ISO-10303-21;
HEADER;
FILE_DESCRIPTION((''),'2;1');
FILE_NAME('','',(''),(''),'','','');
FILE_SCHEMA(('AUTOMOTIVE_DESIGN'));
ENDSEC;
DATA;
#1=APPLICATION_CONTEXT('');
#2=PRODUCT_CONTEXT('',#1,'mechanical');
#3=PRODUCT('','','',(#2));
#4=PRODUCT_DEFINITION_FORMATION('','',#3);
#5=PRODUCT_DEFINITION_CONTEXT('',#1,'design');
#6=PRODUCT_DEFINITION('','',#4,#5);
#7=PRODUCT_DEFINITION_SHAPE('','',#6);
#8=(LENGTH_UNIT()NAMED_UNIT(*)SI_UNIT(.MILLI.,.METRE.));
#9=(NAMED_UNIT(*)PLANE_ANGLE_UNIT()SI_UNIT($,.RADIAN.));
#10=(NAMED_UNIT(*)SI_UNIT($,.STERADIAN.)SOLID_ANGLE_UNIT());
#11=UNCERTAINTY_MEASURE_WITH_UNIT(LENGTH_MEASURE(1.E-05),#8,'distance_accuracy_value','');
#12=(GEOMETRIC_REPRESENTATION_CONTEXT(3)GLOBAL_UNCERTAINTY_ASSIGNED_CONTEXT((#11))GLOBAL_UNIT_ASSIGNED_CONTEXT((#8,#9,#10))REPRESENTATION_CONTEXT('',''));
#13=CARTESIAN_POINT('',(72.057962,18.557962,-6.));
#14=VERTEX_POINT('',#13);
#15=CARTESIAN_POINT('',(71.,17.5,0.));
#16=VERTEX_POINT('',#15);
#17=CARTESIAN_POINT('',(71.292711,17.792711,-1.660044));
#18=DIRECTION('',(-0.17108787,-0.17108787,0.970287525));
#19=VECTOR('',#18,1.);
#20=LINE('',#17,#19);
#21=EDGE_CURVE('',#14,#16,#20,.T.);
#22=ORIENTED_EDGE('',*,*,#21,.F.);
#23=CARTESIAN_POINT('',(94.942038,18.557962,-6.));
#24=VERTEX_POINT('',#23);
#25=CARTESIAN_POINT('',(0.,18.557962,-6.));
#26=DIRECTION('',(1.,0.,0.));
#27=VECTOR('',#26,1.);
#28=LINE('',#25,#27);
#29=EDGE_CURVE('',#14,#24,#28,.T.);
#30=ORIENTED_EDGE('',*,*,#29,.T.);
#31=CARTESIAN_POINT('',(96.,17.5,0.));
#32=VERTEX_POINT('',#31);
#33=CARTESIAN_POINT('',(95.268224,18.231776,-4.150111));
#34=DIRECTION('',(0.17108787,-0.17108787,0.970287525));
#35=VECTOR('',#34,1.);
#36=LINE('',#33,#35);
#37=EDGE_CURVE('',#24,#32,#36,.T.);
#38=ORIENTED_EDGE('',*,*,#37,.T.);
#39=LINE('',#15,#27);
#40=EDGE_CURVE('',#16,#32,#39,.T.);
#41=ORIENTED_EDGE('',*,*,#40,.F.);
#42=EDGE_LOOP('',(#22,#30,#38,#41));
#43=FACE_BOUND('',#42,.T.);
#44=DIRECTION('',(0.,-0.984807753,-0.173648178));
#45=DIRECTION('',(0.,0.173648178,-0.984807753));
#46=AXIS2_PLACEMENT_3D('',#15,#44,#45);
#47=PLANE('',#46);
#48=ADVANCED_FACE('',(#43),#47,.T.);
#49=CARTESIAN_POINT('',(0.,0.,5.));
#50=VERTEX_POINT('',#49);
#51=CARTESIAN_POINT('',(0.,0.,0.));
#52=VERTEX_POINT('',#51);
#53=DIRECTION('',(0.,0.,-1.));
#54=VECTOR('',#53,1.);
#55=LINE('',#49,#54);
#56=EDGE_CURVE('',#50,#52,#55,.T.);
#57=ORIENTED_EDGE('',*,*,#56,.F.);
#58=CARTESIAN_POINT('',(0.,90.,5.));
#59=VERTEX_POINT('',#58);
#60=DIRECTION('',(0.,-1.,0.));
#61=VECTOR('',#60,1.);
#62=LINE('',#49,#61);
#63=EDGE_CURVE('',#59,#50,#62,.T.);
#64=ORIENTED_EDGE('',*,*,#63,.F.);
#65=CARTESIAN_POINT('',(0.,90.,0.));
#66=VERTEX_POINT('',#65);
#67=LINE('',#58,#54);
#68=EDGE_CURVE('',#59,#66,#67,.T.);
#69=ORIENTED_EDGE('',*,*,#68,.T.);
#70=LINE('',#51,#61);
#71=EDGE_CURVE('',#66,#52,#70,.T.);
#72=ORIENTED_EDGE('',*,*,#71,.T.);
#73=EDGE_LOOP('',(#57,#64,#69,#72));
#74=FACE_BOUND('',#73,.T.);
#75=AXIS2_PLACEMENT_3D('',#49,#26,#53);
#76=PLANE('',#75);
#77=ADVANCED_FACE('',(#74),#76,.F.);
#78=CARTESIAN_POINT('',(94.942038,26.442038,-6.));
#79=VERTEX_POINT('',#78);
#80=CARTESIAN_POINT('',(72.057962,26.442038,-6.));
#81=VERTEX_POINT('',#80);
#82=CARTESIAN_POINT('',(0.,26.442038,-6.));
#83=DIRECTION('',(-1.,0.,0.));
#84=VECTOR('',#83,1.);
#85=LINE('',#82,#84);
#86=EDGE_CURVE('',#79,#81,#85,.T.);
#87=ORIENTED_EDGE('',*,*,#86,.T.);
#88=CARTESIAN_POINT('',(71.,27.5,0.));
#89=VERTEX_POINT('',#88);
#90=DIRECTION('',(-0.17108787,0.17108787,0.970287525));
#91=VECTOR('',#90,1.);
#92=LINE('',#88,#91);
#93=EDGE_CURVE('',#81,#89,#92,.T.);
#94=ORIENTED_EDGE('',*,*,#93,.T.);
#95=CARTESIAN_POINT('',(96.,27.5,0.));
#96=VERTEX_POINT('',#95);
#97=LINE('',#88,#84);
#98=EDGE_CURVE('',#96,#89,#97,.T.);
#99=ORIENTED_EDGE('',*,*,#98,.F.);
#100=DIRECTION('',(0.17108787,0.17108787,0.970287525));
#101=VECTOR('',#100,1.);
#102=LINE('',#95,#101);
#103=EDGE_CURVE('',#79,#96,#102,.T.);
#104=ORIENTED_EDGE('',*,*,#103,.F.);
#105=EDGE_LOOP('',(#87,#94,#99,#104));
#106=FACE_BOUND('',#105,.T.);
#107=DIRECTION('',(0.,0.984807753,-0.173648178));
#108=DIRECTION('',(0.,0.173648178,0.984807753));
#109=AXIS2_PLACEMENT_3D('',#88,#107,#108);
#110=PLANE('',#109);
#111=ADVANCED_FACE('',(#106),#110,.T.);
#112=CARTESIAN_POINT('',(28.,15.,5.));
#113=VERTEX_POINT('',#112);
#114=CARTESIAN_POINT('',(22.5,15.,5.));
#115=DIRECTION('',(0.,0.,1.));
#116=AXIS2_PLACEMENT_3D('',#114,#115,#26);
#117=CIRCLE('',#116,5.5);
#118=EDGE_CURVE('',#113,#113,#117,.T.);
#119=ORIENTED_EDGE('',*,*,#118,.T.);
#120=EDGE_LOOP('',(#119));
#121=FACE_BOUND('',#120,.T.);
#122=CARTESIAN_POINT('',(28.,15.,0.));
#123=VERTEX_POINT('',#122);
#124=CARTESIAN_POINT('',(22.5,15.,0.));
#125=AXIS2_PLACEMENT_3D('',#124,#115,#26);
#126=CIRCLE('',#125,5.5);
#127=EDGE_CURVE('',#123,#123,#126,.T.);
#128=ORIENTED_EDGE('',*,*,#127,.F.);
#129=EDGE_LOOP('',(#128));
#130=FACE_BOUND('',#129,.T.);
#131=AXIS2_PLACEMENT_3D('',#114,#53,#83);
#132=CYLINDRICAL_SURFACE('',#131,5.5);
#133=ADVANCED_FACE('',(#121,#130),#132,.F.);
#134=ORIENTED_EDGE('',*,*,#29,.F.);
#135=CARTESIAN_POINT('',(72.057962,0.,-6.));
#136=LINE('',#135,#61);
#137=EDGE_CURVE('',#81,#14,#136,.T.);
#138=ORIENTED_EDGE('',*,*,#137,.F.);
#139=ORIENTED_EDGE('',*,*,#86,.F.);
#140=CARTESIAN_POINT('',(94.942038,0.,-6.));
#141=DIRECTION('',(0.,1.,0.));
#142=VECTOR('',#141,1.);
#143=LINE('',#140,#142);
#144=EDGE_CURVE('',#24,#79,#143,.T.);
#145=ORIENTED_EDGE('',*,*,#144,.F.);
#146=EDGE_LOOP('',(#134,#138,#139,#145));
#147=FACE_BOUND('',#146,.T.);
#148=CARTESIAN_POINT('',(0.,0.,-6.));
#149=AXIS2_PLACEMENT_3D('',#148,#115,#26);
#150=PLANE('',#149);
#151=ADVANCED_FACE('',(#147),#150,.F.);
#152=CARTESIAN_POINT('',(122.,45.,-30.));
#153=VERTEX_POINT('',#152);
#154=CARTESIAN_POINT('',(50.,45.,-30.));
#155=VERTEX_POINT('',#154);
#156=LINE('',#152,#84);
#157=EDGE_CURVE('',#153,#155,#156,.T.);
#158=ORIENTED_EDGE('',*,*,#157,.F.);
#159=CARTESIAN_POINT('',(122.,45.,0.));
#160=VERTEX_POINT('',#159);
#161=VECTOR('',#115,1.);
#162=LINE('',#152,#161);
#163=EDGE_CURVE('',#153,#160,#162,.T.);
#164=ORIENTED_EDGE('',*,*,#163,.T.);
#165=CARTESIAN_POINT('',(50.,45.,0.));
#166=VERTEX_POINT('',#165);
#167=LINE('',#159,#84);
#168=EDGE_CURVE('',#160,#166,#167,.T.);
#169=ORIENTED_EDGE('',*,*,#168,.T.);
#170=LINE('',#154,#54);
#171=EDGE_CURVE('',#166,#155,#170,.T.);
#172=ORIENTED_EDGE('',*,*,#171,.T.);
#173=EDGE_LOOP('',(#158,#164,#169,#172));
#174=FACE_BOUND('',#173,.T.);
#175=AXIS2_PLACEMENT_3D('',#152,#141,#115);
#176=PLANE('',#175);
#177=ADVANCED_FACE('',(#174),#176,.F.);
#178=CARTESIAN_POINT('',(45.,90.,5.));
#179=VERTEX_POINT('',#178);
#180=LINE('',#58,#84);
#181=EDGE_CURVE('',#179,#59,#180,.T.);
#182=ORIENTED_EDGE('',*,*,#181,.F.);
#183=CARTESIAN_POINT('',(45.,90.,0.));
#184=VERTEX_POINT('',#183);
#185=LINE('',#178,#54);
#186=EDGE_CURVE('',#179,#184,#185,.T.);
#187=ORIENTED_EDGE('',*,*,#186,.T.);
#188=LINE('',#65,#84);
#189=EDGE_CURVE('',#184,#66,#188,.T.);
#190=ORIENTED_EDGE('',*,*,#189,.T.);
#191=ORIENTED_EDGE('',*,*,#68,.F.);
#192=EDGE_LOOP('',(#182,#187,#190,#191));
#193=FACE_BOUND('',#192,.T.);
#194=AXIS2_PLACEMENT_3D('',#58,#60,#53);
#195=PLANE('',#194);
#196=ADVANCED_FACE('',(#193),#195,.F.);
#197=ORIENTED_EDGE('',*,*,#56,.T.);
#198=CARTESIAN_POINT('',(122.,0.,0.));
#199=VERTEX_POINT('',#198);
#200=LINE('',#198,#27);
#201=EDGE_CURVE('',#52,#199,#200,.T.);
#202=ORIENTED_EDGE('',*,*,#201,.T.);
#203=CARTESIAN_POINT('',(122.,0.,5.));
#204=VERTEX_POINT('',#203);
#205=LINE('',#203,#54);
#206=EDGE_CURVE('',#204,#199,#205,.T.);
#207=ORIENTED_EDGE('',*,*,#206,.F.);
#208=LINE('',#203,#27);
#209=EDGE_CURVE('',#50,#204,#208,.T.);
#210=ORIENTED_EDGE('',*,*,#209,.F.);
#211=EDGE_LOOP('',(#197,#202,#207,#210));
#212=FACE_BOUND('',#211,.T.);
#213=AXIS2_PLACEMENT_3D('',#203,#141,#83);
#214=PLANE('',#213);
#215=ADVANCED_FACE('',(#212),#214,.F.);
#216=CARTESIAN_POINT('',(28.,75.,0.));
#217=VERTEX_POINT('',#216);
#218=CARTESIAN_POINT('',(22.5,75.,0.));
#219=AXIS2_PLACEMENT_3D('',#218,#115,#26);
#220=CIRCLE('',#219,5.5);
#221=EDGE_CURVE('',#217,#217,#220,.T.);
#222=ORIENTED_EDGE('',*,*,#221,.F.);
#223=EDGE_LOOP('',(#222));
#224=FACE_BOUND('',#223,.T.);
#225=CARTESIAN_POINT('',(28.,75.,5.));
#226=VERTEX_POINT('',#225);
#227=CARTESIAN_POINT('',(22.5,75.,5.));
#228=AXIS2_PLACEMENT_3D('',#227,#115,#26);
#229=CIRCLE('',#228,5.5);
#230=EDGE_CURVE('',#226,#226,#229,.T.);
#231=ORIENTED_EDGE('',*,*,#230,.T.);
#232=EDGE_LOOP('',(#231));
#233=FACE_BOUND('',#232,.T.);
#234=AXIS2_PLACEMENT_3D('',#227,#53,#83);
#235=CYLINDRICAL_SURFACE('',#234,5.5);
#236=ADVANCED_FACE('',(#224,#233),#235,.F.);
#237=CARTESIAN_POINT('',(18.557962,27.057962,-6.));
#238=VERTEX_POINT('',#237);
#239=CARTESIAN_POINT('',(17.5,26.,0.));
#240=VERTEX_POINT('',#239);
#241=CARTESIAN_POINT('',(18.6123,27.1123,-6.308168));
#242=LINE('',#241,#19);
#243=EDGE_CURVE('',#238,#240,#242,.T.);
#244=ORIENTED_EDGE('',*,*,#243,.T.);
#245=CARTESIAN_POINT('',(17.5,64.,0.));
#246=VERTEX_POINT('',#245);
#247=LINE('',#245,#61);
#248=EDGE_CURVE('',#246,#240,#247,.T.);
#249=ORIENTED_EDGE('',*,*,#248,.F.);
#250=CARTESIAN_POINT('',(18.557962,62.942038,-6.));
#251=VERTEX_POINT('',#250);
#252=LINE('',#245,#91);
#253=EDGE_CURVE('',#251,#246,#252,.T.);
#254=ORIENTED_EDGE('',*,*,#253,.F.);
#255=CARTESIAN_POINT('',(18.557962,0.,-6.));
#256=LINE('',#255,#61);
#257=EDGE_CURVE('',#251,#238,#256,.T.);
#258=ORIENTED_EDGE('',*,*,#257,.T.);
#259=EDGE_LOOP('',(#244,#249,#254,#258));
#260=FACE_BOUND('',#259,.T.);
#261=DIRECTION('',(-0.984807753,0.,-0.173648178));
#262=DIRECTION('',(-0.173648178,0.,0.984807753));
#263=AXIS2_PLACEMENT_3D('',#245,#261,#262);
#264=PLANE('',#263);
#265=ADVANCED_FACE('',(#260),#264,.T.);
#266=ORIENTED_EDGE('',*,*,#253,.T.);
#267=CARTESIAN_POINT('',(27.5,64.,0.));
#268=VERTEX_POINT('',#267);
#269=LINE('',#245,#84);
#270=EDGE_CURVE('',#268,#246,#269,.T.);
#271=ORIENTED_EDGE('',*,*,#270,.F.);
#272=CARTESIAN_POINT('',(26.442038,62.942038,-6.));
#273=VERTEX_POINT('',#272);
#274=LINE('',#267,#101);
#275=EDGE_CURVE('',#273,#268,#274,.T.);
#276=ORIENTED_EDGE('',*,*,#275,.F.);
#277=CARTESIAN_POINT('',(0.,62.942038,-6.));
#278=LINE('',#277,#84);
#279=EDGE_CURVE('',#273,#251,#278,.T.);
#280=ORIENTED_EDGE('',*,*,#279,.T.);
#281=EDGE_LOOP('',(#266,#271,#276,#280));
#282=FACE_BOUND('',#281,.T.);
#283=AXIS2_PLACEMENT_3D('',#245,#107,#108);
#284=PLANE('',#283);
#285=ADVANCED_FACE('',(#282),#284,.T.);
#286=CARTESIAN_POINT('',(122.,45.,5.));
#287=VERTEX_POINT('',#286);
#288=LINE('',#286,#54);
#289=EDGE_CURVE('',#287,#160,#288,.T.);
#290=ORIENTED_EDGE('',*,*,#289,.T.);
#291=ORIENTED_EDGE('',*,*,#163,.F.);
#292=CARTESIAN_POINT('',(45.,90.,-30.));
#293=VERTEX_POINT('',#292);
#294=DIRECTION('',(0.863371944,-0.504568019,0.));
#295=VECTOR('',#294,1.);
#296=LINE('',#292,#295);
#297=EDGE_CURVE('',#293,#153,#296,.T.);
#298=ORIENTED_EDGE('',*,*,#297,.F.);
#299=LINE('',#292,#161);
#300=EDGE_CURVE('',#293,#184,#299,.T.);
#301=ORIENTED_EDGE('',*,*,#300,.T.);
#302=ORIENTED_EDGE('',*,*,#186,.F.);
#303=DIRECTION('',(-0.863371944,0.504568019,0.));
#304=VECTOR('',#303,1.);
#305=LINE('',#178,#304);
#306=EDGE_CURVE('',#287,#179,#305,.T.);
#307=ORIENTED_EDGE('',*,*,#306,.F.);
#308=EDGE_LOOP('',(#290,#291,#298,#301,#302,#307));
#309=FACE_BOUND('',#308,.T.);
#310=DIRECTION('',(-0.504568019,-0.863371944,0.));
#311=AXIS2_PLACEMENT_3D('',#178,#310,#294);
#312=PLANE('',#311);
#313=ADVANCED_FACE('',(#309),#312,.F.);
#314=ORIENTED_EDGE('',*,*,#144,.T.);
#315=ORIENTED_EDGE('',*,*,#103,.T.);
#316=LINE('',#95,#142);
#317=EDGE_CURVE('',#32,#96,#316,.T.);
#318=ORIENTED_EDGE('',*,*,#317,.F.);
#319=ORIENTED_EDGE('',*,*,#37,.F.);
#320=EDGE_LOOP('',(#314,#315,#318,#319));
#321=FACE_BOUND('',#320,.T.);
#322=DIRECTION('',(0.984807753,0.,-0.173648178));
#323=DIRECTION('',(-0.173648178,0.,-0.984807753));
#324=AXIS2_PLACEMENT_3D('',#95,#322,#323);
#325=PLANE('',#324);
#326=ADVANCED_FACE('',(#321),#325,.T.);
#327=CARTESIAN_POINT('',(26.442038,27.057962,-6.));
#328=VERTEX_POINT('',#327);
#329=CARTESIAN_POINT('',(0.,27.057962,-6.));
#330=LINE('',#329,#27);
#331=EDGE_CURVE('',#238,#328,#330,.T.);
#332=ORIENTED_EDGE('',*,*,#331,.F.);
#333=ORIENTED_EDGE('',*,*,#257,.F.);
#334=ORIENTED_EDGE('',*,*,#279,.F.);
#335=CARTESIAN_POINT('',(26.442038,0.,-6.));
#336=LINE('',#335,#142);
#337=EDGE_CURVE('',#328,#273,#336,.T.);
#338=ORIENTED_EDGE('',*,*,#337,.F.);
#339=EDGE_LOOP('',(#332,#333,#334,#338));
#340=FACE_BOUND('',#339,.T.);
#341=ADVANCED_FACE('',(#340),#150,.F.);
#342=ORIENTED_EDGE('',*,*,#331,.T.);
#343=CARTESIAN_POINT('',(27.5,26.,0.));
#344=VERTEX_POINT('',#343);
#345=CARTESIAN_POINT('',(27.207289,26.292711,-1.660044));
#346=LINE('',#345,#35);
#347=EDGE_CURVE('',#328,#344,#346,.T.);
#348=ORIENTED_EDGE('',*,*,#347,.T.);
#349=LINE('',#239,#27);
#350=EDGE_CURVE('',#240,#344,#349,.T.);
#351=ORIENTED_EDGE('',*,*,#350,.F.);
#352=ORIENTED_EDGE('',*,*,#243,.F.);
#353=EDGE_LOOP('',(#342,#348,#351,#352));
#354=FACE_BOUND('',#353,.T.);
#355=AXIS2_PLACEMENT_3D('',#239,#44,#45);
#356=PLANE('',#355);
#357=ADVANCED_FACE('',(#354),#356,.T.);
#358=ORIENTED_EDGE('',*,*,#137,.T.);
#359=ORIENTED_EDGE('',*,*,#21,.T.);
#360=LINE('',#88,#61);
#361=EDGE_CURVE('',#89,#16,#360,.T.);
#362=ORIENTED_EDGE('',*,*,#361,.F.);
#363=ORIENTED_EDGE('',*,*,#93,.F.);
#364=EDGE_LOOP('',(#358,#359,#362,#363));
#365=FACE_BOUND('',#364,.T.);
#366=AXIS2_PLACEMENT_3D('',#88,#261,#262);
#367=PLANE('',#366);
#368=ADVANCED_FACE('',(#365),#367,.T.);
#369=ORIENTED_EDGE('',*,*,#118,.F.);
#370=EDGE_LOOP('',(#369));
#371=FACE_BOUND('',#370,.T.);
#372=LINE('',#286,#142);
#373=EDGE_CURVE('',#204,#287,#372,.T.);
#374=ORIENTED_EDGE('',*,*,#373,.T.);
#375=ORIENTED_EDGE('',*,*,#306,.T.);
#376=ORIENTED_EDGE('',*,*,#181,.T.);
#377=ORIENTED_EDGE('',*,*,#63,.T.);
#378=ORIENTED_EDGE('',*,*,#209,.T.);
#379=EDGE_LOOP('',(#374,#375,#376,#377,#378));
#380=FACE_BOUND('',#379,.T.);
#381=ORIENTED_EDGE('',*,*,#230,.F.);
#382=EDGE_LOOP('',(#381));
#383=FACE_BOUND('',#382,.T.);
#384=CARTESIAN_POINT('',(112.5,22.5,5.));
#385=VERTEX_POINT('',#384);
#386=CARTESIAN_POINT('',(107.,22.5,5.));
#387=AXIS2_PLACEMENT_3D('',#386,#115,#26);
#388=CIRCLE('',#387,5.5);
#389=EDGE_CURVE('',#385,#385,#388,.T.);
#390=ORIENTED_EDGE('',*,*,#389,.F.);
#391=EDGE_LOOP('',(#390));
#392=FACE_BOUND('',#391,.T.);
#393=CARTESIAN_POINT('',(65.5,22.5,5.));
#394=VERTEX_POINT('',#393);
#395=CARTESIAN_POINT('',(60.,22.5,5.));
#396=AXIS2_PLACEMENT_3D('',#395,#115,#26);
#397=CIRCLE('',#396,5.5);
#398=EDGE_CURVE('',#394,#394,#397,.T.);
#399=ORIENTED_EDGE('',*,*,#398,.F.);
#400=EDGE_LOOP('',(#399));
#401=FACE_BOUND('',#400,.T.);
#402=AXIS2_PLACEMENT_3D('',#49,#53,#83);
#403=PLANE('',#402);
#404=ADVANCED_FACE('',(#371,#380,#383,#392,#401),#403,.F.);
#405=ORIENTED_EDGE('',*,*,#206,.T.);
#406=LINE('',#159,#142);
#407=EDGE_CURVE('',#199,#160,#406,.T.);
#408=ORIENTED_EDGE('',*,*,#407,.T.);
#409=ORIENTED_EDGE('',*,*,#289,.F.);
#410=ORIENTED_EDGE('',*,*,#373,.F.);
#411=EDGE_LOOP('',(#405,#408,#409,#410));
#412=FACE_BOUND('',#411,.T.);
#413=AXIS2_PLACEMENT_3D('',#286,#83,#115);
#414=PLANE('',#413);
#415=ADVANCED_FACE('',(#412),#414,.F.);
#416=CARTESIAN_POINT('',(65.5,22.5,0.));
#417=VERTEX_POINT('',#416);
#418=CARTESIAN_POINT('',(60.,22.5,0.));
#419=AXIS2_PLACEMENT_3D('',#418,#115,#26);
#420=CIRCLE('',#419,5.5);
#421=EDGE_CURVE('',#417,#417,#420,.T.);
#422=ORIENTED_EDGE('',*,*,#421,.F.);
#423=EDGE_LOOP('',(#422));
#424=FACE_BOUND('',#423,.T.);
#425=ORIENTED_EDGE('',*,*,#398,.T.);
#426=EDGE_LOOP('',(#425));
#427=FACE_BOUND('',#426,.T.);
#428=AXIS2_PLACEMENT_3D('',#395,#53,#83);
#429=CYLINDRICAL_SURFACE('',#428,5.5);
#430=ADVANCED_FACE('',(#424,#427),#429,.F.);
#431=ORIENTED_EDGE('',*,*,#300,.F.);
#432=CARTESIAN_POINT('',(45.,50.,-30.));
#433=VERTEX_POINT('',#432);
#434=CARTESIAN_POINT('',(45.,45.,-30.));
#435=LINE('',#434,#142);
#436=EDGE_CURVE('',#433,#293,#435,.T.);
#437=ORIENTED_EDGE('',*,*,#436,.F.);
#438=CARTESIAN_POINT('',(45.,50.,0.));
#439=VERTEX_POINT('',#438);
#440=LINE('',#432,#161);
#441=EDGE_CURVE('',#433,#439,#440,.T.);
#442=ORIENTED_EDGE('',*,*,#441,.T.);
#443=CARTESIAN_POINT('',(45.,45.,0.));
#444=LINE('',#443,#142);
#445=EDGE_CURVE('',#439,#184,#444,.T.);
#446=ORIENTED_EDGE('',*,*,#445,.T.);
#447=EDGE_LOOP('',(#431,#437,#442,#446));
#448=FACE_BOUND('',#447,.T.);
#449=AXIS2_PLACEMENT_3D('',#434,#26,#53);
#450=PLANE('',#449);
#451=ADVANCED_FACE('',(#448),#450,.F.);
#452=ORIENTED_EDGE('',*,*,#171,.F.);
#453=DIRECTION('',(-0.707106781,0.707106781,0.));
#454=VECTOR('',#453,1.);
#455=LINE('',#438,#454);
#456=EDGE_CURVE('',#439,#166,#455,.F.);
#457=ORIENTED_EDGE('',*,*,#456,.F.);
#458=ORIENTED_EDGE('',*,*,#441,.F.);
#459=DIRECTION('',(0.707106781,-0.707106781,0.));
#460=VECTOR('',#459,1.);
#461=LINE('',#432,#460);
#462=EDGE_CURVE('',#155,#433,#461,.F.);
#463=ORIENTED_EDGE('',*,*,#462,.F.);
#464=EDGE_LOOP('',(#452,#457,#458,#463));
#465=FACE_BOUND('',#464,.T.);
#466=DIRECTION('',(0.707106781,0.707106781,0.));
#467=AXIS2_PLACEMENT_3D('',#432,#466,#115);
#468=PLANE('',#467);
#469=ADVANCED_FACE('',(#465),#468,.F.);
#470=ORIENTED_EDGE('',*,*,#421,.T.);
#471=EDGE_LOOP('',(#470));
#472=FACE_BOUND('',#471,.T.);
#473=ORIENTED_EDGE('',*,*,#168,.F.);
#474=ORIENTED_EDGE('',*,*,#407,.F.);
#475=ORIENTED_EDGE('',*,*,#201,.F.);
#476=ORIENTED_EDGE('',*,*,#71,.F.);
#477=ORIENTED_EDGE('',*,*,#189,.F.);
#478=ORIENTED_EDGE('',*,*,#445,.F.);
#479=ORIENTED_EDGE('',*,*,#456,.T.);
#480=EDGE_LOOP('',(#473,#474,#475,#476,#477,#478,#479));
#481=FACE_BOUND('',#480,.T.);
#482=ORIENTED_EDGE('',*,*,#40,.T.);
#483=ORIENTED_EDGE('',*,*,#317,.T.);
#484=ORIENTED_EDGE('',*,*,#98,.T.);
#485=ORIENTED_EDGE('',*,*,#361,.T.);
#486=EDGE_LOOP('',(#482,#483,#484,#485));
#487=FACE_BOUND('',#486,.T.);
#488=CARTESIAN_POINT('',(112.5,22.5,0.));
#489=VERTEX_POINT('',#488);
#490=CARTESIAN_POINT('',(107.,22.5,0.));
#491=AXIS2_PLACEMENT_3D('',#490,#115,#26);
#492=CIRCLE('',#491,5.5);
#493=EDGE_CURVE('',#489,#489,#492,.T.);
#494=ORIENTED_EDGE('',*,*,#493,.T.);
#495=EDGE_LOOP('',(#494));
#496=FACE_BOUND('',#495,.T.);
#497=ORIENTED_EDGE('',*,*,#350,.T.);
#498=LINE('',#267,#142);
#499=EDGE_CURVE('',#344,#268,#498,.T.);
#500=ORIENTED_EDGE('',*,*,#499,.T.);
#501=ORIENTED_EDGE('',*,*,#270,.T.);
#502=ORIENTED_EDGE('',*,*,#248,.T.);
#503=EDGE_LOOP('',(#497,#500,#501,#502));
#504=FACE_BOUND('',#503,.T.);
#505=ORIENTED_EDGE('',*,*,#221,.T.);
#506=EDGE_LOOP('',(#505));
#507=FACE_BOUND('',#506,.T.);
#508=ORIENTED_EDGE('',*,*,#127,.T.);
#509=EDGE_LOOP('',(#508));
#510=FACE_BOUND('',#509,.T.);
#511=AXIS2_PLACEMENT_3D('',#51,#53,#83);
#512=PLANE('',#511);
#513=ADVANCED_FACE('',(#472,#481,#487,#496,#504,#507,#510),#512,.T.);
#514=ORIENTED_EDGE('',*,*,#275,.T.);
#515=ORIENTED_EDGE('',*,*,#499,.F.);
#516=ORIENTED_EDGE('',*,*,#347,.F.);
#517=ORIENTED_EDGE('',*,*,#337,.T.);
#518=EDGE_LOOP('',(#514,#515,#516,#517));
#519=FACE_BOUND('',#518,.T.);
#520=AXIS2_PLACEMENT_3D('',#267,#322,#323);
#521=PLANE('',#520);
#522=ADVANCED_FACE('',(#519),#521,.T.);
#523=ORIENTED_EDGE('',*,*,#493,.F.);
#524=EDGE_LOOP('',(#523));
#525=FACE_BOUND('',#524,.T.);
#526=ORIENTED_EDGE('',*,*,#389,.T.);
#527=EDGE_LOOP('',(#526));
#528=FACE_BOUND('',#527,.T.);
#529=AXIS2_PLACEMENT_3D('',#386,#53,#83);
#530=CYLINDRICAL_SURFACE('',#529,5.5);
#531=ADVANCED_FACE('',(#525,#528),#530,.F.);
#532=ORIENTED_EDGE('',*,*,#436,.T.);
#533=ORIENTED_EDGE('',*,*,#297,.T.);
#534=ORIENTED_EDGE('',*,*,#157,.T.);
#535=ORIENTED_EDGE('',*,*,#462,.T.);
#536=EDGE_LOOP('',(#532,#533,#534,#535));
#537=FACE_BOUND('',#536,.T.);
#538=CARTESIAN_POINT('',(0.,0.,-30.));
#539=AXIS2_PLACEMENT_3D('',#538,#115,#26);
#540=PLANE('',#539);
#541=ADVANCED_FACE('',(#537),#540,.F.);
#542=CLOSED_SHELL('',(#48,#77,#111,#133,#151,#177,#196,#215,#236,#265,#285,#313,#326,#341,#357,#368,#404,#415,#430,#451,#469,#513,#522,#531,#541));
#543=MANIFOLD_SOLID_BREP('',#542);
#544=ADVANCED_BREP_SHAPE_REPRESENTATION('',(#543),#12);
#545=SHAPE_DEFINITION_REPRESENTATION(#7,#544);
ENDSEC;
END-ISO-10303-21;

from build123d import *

# Parameters (mm, degrees)
ESQUISSE1_R        = 5.5
BOSS_EXTRU_1_DEPTH = 5
ESQUISSE2_W        = 10
ESQUISSE2_H        = 38
ESQUISSE2_W_2      = 25
ESQUISSE2_H_2      = 10
BOSS_EXTRU_2_DEPTH = 6
D_POUILLE3_ANGLE   = 10
BOSS_EXTRU_3_DEPTH = 30
CHANFREIN3_SIZE    = 5


with BuildPart() as part:
    # Esquisse1 → Boss.-Extru.1 (new body)
    with BuildSketch(Plane.XY):
        Polygon((0, 0), (0, 90), (45, 90), (122, 45), (122, 0), align=None)
        with Locations((22.5, 75)):
            Circle(ESQUISSE1_R, mode=Mode.SUBTRACT)
        with Locations((22.5, 15)):
            Circle(ESQUISSE1_R, mode=Mode.SUBTRACT)
        with Locations((107, 22.5)):
            Circle(ESQUISSE1_R, mode=Mode.SUBTRACT)
        with Locations((60, 22.5)):
            Circle(ESQUISSE1_R, mode=Mode.SUBTRACT)
    extrude(amount=BOSS_EXTRU_1_DEPTH)

    # Esquisse2 → Boss.-Extru.2 (add)
    with BuildSketch(Plane.XY):
        with Locations((22.5, 45)):
            Rectangle(ESQUISSE2_W, ESQUISSE2_H)
        with Locations((83.5, 22.5)):
            Rectangle(ESQUISSE2_W_2, ESQUISSE2_H_2)
    extrude(amount=-BOSS_EXTRU_2_DEPTH)

    # Dépouille3
    d_pouille3_faces = [part.faces().sort_by_distance(p)[0] for p in [
        (83.5, 27.5, -3),
        (96, 22.5, -3),
        (71, 22.5, -3),
        (83.5, 17.5, -3),
        (22.5, 26, -3),
        (27.5, 45, -3),
        (22.5, 64, -3),
        (17.5, 45, -3),
    ]]
    draft(d_pouille3_faces, Plane(origin=(0, 0, 0), x_dir=(-1, 0, 0), z_dir=(0, 0, -1)), D_POUILLE3_ANGLE)

    # Esquisse3 → Boss.-Extru.3 (add)
    with BuildSketch(Plane(origin=(0, 0, 0), x_dir=(-1, 0, 0), z_dir=(0, 0, -1))):
        Polygon((-122, 45), (-45, 45), (-45, 90), align=None)
    extrude(amount=BOSS_EXTRU_3_DEPTH)

    # Chanfrein3
    chanfrein3_edges = [part.edges().sort_by_distance(p)[0] for p in [
        (45, 45, -15),
    ]]
    chamfer(chanfrein3_edges, length=CHANFREIN3_SIZE)


solid = part.part
